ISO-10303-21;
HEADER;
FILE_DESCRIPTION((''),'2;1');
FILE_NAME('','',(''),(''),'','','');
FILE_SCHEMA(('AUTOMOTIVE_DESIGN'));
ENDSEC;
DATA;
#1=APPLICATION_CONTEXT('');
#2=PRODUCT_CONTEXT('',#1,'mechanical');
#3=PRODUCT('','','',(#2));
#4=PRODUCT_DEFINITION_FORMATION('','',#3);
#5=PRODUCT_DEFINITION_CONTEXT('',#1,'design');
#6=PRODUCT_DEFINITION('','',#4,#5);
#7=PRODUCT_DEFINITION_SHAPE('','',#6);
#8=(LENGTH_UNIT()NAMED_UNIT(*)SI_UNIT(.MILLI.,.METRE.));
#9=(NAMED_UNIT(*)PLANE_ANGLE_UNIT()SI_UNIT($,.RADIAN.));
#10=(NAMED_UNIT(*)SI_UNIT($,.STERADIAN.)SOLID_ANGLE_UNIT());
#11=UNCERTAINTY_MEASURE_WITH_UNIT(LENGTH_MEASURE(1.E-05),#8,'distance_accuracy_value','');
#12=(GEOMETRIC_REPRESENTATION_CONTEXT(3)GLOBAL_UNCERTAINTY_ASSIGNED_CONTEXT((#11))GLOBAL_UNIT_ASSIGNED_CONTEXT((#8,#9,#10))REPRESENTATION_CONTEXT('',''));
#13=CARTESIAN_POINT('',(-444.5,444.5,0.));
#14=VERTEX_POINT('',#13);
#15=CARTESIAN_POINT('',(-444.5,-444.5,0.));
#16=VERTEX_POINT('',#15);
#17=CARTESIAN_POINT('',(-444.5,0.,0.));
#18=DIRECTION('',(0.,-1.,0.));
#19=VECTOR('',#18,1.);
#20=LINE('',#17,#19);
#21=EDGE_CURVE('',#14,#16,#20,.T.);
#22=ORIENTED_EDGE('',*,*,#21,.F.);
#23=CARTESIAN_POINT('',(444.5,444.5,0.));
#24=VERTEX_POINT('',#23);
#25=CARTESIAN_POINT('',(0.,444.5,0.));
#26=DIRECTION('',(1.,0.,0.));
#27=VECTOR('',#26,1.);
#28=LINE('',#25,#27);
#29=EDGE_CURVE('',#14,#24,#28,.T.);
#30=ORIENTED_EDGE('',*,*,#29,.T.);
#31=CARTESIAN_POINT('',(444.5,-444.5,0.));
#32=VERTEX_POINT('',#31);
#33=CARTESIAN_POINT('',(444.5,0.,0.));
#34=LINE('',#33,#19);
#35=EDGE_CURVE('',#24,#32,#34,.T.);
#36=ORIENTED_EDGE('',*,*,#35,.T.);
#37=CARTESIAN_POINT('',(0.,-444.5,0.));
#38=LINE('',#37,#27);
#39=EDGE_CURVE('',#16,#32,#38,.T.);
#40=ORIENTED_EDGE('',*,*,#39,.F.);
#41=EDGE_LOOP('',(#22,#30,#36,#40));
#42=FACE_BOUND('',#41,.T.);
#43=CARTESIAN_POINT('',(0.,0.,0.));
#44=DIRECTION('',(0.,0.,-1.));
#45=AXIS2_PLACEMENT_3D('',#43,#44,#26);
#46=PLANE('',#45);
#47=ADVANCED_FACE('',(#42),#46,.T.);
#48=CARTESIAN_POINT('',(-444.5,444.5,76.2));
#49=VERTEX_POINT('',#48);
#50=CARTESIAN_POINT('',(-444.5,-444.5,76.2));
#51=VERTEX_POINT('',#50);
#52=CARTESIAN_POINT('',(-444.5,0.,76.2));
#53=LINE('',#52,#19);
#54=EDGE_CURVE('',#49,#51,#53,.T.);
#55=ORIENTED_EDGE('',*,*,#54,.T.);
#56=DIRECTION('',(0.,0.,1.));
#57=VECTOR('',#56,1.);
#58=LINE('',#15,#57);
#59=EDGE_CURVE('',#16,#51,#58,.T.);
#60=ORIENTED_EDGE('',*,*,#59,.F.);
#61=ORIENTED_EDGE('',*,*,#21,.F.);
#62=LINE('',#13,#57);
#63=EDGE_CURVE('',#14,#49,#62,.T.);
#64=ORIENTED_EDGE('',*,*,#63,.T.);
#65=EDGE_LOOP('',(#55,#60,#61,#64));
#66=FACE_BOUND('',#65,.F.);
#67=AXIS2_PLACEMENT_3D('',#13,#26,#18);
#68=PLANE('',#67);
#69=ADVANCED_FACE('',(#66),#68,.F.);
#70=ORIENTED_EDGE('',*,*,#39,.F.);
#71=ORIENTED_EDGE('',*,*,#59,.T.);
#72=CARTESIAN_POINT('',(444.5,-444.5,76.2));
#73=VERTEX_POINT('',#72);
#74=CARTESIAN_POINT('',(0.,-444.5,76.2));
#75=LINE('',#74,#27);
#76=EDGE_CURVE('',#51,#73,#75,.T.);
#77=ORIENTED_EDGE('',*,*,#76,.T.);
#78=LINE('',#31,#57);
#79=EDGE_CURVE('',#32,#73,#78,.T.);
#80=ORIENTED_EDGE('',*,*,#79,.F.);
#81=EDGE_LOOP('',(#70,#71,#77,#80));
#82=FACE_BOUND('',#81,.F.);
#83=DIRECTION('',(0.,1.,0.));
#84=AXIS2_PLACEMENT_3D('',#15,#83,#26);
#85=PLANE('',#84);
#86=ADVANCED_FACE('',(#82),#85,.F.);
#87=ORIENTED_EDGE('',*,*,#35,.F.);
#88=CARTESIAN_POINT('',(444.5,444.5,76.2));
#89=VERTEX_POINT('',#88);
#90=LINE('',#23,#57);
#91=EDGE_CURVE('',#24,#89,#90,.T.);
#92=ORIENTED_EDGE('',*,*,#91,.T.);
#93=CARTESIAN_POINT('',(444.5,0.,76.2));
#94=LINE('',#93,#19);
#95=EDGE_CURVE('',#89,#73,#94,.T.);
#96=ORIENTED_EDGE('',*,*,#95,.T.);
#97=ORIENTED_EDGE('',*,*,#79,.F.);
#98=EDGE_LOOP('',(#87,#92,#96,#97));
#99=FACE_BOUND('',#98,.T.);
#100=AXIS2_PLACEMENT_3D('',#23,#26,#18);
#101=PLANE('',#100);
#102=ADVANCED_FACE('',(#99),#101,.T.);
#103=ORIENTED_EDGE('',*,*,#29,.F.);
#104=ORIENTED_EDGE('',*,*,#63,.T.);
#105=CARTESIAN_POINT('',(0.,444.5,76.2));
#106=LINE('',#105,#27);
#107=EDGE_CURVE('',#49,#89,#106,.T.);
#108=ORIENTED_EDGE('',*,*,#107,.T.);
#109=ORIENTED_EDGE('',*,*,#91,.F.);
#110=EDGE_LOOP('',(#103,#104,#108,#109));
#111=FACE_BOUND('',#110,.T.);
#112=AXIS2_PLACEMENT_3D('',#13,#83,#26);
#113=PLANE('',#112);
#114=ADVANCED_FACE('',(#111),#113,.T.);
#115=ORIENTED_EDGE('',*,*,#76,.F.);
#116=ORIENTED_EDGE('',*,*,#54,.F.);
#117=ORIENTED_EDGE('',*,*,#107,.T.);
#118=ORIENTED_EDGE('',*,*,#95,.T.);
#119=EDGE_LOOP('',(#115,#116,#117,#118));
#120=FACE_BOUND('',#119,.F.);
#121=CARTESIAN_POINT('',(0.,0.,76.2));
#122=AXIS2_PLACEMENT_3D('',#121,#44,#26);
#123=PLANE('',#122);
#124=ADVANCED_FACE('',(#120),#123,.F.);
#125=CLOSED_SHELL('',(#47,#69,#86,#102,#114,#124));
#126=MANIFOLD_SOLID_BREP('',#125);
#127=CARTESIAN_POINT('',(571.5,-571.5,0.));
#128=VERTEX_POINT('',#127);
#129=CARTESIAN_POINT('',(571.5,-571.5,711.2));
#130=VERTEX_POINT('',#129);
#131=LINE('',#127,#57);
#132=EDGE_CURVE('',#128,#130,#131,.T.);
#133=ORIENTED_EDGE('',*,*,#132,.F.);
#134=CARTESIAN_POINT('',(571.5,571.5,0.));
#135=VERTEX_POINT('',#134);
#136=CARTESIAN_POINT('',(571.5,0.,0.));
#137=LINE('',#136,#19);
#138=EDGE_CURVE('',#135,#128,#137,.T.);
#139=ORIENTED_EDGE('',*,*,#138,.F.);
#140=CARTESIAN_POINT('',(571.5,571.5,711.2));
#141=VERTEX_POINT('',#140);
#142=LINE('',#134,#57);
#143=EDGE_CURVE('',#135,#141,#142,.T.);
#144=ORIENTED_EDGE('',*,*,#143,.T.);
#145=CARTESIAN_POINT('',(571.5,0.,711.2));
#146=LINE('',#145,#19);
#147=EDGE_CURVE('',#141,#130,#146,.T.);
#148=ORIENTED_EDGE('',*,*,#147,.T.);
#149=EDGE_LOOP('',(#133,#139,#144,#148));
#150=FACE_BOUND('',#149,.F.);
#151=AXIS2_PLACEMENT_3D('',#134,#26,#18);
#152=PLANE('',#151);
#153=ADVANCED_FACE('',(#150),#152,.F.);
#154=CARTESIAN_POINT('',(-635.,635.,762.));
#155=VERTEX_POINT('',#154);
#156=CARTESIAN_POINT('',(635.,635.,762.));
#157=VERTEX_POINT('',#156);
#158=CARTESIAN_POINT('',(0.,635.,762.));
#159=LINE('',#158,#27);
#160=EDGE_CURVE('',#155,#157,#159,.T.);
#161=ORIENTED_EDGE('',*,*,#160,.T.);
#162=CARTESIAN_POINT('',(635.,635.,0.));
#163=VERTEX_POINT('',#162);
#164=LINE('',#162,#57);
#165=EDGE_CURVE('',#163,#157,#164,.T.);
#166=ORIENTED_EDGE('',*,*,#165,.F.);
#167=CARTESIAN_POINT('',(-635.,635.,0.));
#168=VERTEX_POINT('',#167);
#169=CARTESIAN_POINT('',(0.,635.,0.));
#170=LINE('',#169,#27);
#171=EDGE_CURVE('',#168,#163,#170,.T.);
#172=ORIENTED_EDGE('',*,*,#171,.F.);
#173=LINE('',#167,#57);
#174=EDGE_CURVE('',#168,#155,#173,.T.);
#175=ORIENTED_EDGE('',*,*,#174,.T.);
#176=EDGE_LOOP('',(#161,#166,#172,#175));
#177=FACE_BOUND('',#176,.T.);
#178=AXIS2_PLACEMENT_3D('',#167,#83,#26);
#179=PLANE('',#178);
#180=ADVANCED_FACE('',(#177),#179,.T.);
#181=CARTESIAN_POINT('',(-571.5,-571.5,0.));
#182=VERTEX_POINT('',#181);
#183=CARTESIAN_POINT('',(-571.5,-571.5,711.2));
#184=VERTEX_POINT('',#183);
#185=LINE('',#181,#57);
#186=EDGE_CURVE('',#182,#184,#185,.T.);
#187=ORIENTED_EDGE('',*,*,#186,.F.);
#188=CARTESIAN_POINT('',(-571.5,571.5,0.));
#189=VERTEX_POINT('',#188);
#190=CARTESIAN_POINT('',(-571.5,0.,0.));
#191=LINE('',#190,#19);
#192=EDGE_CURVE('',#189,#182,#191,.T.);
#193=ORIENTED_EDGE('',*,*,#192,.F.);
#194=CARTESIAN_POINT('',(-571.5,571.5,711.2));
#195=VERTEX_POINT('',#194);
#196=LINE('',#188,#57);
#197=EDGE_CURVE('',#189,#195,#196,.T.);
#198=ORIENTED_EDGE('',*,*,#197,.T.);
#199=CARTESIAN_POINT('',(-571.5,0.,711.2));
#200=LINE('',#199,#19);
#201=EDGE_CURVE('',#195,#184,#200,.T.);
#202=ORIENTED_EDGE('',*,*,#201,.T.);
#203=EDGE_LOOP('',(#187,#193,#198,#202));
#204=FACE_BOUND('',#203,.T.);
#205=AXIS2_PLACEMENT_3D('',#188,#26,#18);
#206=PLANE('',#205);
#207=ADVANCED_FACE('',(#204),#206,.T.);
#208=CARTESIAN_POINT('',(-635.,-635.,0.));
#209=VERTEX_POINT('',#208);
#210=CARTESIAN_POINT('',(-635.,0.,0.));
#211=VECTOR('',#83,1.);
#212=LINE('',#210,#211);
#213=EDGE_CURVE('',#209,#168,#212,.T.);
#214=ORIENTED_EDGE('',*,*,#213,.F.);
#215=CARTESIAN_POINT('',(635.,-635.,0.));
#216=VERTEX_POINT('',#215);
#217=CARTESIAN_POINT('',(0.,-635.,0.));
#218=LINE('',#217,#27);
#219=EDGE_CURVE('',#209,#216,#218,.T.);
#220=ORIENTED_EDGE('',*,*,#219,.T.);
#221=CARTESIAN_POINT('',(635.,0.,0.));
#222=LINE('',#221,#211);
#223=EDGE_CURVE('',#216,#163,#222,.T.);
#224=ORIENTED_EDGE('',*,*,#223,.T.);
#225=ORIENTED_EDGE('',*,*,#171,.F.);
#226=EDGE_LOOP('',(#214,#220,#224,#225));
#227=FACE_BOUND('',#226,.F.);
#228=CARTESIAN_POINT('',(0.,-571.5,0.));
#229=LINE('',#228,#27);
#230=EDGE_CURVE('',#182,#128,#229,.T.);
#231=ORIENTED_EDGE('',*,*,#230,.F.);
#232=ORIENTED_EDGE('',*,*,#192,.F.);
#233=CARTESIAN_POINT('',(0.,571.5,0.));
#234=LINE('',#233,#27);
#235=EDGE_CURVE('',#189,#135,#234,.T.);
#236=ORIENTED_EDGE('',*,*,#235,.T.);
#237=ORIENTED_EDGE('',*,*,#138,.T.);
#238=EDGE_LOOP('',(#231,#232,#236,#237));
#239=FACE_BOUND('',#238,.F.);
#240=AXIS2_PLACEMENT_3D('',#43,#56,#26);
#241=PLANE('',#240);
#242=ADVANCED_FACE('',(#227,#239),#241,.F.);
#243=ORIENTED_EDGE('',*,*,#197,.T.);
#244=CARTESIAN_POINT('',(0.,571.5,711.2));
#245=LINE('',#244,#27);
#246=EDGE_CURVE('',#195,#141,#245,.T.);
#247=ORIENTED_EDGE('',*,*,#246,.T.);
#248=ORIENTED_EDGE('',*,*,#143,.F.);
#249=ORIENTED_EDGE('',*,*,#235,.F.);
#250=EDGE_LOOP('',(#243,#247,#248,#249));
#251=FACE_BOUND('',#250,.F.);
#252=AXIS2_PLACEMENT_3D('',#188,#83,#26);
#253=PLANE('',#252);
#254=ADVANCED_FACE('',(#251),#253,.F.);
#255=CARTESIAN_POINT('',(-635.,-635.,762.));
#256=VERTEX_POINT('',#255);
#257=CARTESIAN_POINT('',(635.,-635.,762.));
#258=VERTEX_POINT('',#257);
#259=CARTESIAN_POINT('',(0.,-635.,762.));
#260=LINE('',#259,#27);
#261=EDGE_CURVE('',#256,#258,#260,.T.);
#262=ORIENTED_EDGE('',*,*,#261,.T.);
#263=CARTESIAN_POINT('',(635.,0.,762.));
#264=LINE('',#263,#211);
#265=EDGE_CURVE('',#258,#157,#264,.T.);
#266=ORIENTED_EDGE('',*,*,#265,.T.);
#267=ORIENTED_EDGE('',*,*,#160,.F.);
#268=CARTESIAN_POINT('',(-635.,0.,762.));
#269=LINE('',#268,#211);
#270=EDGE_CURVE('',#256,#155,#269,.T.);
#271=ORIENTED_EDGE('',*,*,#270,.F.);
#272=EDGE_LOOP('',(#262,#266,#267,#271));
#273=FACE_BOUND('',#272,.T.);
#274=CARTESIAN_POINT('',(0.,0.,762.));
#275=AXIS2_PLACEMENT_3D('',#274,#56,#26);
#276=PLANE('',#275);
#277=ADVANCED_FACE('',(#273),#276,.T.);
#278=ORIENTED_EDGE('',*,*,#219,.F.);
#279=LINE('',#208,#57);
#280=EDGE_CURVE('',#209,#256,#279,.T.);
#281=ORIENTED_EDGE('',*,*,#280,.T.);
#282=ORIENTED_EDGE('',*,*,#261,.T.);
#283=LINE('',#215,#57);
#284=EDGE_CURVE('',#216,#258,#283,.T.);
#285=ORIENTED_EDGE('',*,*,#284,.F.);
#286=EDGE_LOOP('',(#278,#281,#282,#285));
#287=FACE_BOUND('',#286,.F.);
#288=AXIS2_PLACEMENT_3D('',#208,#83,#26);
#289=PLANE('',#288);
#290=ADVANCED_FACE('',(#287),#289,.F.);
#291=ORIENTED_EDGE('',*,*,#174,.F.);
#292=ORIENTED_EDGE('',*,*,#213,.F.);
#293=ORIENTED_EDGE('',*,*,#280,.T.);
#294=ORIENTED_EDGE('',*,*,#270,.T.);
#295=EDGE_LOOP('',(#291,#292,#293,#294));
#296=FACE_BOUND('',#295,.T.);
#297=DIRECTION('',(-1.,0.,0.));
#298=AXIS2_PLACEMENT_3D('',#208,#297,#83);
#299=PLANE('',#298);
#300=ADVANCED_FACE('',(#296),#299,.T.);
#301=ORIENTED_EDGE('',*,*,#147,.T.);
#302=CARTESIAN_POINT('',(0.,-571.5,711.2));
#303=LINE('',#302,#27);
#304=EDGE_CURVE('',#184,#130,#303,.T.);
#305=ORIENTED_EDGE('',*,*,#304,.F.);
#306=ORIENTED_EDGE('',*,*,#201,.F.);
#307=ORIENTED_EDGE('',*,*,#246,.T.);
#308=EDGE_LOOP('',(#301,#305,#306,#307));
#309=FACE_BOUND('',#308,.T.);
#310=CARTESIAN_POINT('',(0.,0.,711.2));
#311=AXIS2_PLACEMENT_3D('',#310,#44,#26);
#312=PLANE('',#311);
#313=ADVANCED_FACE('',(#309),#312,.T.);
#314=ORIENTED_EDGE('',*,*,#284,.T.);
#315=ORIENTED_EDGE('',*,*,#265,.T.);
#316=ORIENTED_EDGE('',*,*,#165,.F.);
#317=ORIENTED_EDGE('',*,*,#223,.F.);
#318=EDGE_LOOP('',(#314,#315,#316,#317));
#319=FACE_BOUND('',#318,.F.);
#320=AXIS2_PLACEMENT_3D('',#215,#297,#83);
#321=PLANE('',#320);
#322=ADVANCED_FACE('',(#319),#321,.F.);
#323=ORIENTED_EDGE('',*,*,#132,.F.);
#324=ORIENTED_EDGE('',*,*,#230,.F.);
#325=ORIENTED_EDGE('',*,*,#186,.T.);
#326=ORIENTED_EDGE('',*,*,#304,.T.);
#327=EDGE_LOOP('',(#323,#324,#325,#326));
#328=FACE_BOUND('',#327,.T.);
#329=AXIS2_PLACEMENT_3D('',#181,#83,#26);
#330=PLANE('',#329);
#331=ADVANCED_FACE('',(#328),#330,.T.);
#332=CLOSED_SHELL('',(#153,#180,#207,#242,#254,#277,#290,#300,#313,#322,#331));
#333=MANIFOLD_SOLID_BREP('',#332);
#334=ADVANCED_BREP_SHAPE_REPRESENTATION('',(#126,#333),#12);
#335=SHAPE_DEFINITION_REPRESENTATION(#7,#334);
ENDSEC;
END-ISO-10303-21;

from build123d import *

# Parameters (mm, degrees)
F0_W     = 1270
F0_H     = 1270
F1_DEPTH = 762
F2_W     = 1143
F2_H     = 1143
F3_DEPTH = 711.2
F4_W     = 889
F4_H     = 889
F5_DEPTH = 76.2


with BuildPart() as f1:
    # F0 (on Top) → F1 (new body)
    with BuildSketch(Plane.XY):
        Rectangle(F0_W, F0_H)
    extrude(amount=F1_DEPTH)

    # F2 (on face) → F3 (cut)
    with BuildSketch(Plane(origin=(0, 0, 0), x_dir=(1, 0, 0), z_dir=(0, 0, -1))):
        Rectangle(F2_W, F2_H)
    extrude(amount=-F3_DEPTH, mode=Mode.SUBTRACT)


with BuildPart() as f5:
    # F4 (on face) → F5 (new body)
    with BuildSketch(Plane(origin=(0, 0, 0), x_dir=(1, 0, 0), z_dir=(0, 0, -1))):
        Rectangle(F4_W, F4_H)
    extrude(amount=-F5_DEPTH)


solid = Compound([f1.part, f5.part])
